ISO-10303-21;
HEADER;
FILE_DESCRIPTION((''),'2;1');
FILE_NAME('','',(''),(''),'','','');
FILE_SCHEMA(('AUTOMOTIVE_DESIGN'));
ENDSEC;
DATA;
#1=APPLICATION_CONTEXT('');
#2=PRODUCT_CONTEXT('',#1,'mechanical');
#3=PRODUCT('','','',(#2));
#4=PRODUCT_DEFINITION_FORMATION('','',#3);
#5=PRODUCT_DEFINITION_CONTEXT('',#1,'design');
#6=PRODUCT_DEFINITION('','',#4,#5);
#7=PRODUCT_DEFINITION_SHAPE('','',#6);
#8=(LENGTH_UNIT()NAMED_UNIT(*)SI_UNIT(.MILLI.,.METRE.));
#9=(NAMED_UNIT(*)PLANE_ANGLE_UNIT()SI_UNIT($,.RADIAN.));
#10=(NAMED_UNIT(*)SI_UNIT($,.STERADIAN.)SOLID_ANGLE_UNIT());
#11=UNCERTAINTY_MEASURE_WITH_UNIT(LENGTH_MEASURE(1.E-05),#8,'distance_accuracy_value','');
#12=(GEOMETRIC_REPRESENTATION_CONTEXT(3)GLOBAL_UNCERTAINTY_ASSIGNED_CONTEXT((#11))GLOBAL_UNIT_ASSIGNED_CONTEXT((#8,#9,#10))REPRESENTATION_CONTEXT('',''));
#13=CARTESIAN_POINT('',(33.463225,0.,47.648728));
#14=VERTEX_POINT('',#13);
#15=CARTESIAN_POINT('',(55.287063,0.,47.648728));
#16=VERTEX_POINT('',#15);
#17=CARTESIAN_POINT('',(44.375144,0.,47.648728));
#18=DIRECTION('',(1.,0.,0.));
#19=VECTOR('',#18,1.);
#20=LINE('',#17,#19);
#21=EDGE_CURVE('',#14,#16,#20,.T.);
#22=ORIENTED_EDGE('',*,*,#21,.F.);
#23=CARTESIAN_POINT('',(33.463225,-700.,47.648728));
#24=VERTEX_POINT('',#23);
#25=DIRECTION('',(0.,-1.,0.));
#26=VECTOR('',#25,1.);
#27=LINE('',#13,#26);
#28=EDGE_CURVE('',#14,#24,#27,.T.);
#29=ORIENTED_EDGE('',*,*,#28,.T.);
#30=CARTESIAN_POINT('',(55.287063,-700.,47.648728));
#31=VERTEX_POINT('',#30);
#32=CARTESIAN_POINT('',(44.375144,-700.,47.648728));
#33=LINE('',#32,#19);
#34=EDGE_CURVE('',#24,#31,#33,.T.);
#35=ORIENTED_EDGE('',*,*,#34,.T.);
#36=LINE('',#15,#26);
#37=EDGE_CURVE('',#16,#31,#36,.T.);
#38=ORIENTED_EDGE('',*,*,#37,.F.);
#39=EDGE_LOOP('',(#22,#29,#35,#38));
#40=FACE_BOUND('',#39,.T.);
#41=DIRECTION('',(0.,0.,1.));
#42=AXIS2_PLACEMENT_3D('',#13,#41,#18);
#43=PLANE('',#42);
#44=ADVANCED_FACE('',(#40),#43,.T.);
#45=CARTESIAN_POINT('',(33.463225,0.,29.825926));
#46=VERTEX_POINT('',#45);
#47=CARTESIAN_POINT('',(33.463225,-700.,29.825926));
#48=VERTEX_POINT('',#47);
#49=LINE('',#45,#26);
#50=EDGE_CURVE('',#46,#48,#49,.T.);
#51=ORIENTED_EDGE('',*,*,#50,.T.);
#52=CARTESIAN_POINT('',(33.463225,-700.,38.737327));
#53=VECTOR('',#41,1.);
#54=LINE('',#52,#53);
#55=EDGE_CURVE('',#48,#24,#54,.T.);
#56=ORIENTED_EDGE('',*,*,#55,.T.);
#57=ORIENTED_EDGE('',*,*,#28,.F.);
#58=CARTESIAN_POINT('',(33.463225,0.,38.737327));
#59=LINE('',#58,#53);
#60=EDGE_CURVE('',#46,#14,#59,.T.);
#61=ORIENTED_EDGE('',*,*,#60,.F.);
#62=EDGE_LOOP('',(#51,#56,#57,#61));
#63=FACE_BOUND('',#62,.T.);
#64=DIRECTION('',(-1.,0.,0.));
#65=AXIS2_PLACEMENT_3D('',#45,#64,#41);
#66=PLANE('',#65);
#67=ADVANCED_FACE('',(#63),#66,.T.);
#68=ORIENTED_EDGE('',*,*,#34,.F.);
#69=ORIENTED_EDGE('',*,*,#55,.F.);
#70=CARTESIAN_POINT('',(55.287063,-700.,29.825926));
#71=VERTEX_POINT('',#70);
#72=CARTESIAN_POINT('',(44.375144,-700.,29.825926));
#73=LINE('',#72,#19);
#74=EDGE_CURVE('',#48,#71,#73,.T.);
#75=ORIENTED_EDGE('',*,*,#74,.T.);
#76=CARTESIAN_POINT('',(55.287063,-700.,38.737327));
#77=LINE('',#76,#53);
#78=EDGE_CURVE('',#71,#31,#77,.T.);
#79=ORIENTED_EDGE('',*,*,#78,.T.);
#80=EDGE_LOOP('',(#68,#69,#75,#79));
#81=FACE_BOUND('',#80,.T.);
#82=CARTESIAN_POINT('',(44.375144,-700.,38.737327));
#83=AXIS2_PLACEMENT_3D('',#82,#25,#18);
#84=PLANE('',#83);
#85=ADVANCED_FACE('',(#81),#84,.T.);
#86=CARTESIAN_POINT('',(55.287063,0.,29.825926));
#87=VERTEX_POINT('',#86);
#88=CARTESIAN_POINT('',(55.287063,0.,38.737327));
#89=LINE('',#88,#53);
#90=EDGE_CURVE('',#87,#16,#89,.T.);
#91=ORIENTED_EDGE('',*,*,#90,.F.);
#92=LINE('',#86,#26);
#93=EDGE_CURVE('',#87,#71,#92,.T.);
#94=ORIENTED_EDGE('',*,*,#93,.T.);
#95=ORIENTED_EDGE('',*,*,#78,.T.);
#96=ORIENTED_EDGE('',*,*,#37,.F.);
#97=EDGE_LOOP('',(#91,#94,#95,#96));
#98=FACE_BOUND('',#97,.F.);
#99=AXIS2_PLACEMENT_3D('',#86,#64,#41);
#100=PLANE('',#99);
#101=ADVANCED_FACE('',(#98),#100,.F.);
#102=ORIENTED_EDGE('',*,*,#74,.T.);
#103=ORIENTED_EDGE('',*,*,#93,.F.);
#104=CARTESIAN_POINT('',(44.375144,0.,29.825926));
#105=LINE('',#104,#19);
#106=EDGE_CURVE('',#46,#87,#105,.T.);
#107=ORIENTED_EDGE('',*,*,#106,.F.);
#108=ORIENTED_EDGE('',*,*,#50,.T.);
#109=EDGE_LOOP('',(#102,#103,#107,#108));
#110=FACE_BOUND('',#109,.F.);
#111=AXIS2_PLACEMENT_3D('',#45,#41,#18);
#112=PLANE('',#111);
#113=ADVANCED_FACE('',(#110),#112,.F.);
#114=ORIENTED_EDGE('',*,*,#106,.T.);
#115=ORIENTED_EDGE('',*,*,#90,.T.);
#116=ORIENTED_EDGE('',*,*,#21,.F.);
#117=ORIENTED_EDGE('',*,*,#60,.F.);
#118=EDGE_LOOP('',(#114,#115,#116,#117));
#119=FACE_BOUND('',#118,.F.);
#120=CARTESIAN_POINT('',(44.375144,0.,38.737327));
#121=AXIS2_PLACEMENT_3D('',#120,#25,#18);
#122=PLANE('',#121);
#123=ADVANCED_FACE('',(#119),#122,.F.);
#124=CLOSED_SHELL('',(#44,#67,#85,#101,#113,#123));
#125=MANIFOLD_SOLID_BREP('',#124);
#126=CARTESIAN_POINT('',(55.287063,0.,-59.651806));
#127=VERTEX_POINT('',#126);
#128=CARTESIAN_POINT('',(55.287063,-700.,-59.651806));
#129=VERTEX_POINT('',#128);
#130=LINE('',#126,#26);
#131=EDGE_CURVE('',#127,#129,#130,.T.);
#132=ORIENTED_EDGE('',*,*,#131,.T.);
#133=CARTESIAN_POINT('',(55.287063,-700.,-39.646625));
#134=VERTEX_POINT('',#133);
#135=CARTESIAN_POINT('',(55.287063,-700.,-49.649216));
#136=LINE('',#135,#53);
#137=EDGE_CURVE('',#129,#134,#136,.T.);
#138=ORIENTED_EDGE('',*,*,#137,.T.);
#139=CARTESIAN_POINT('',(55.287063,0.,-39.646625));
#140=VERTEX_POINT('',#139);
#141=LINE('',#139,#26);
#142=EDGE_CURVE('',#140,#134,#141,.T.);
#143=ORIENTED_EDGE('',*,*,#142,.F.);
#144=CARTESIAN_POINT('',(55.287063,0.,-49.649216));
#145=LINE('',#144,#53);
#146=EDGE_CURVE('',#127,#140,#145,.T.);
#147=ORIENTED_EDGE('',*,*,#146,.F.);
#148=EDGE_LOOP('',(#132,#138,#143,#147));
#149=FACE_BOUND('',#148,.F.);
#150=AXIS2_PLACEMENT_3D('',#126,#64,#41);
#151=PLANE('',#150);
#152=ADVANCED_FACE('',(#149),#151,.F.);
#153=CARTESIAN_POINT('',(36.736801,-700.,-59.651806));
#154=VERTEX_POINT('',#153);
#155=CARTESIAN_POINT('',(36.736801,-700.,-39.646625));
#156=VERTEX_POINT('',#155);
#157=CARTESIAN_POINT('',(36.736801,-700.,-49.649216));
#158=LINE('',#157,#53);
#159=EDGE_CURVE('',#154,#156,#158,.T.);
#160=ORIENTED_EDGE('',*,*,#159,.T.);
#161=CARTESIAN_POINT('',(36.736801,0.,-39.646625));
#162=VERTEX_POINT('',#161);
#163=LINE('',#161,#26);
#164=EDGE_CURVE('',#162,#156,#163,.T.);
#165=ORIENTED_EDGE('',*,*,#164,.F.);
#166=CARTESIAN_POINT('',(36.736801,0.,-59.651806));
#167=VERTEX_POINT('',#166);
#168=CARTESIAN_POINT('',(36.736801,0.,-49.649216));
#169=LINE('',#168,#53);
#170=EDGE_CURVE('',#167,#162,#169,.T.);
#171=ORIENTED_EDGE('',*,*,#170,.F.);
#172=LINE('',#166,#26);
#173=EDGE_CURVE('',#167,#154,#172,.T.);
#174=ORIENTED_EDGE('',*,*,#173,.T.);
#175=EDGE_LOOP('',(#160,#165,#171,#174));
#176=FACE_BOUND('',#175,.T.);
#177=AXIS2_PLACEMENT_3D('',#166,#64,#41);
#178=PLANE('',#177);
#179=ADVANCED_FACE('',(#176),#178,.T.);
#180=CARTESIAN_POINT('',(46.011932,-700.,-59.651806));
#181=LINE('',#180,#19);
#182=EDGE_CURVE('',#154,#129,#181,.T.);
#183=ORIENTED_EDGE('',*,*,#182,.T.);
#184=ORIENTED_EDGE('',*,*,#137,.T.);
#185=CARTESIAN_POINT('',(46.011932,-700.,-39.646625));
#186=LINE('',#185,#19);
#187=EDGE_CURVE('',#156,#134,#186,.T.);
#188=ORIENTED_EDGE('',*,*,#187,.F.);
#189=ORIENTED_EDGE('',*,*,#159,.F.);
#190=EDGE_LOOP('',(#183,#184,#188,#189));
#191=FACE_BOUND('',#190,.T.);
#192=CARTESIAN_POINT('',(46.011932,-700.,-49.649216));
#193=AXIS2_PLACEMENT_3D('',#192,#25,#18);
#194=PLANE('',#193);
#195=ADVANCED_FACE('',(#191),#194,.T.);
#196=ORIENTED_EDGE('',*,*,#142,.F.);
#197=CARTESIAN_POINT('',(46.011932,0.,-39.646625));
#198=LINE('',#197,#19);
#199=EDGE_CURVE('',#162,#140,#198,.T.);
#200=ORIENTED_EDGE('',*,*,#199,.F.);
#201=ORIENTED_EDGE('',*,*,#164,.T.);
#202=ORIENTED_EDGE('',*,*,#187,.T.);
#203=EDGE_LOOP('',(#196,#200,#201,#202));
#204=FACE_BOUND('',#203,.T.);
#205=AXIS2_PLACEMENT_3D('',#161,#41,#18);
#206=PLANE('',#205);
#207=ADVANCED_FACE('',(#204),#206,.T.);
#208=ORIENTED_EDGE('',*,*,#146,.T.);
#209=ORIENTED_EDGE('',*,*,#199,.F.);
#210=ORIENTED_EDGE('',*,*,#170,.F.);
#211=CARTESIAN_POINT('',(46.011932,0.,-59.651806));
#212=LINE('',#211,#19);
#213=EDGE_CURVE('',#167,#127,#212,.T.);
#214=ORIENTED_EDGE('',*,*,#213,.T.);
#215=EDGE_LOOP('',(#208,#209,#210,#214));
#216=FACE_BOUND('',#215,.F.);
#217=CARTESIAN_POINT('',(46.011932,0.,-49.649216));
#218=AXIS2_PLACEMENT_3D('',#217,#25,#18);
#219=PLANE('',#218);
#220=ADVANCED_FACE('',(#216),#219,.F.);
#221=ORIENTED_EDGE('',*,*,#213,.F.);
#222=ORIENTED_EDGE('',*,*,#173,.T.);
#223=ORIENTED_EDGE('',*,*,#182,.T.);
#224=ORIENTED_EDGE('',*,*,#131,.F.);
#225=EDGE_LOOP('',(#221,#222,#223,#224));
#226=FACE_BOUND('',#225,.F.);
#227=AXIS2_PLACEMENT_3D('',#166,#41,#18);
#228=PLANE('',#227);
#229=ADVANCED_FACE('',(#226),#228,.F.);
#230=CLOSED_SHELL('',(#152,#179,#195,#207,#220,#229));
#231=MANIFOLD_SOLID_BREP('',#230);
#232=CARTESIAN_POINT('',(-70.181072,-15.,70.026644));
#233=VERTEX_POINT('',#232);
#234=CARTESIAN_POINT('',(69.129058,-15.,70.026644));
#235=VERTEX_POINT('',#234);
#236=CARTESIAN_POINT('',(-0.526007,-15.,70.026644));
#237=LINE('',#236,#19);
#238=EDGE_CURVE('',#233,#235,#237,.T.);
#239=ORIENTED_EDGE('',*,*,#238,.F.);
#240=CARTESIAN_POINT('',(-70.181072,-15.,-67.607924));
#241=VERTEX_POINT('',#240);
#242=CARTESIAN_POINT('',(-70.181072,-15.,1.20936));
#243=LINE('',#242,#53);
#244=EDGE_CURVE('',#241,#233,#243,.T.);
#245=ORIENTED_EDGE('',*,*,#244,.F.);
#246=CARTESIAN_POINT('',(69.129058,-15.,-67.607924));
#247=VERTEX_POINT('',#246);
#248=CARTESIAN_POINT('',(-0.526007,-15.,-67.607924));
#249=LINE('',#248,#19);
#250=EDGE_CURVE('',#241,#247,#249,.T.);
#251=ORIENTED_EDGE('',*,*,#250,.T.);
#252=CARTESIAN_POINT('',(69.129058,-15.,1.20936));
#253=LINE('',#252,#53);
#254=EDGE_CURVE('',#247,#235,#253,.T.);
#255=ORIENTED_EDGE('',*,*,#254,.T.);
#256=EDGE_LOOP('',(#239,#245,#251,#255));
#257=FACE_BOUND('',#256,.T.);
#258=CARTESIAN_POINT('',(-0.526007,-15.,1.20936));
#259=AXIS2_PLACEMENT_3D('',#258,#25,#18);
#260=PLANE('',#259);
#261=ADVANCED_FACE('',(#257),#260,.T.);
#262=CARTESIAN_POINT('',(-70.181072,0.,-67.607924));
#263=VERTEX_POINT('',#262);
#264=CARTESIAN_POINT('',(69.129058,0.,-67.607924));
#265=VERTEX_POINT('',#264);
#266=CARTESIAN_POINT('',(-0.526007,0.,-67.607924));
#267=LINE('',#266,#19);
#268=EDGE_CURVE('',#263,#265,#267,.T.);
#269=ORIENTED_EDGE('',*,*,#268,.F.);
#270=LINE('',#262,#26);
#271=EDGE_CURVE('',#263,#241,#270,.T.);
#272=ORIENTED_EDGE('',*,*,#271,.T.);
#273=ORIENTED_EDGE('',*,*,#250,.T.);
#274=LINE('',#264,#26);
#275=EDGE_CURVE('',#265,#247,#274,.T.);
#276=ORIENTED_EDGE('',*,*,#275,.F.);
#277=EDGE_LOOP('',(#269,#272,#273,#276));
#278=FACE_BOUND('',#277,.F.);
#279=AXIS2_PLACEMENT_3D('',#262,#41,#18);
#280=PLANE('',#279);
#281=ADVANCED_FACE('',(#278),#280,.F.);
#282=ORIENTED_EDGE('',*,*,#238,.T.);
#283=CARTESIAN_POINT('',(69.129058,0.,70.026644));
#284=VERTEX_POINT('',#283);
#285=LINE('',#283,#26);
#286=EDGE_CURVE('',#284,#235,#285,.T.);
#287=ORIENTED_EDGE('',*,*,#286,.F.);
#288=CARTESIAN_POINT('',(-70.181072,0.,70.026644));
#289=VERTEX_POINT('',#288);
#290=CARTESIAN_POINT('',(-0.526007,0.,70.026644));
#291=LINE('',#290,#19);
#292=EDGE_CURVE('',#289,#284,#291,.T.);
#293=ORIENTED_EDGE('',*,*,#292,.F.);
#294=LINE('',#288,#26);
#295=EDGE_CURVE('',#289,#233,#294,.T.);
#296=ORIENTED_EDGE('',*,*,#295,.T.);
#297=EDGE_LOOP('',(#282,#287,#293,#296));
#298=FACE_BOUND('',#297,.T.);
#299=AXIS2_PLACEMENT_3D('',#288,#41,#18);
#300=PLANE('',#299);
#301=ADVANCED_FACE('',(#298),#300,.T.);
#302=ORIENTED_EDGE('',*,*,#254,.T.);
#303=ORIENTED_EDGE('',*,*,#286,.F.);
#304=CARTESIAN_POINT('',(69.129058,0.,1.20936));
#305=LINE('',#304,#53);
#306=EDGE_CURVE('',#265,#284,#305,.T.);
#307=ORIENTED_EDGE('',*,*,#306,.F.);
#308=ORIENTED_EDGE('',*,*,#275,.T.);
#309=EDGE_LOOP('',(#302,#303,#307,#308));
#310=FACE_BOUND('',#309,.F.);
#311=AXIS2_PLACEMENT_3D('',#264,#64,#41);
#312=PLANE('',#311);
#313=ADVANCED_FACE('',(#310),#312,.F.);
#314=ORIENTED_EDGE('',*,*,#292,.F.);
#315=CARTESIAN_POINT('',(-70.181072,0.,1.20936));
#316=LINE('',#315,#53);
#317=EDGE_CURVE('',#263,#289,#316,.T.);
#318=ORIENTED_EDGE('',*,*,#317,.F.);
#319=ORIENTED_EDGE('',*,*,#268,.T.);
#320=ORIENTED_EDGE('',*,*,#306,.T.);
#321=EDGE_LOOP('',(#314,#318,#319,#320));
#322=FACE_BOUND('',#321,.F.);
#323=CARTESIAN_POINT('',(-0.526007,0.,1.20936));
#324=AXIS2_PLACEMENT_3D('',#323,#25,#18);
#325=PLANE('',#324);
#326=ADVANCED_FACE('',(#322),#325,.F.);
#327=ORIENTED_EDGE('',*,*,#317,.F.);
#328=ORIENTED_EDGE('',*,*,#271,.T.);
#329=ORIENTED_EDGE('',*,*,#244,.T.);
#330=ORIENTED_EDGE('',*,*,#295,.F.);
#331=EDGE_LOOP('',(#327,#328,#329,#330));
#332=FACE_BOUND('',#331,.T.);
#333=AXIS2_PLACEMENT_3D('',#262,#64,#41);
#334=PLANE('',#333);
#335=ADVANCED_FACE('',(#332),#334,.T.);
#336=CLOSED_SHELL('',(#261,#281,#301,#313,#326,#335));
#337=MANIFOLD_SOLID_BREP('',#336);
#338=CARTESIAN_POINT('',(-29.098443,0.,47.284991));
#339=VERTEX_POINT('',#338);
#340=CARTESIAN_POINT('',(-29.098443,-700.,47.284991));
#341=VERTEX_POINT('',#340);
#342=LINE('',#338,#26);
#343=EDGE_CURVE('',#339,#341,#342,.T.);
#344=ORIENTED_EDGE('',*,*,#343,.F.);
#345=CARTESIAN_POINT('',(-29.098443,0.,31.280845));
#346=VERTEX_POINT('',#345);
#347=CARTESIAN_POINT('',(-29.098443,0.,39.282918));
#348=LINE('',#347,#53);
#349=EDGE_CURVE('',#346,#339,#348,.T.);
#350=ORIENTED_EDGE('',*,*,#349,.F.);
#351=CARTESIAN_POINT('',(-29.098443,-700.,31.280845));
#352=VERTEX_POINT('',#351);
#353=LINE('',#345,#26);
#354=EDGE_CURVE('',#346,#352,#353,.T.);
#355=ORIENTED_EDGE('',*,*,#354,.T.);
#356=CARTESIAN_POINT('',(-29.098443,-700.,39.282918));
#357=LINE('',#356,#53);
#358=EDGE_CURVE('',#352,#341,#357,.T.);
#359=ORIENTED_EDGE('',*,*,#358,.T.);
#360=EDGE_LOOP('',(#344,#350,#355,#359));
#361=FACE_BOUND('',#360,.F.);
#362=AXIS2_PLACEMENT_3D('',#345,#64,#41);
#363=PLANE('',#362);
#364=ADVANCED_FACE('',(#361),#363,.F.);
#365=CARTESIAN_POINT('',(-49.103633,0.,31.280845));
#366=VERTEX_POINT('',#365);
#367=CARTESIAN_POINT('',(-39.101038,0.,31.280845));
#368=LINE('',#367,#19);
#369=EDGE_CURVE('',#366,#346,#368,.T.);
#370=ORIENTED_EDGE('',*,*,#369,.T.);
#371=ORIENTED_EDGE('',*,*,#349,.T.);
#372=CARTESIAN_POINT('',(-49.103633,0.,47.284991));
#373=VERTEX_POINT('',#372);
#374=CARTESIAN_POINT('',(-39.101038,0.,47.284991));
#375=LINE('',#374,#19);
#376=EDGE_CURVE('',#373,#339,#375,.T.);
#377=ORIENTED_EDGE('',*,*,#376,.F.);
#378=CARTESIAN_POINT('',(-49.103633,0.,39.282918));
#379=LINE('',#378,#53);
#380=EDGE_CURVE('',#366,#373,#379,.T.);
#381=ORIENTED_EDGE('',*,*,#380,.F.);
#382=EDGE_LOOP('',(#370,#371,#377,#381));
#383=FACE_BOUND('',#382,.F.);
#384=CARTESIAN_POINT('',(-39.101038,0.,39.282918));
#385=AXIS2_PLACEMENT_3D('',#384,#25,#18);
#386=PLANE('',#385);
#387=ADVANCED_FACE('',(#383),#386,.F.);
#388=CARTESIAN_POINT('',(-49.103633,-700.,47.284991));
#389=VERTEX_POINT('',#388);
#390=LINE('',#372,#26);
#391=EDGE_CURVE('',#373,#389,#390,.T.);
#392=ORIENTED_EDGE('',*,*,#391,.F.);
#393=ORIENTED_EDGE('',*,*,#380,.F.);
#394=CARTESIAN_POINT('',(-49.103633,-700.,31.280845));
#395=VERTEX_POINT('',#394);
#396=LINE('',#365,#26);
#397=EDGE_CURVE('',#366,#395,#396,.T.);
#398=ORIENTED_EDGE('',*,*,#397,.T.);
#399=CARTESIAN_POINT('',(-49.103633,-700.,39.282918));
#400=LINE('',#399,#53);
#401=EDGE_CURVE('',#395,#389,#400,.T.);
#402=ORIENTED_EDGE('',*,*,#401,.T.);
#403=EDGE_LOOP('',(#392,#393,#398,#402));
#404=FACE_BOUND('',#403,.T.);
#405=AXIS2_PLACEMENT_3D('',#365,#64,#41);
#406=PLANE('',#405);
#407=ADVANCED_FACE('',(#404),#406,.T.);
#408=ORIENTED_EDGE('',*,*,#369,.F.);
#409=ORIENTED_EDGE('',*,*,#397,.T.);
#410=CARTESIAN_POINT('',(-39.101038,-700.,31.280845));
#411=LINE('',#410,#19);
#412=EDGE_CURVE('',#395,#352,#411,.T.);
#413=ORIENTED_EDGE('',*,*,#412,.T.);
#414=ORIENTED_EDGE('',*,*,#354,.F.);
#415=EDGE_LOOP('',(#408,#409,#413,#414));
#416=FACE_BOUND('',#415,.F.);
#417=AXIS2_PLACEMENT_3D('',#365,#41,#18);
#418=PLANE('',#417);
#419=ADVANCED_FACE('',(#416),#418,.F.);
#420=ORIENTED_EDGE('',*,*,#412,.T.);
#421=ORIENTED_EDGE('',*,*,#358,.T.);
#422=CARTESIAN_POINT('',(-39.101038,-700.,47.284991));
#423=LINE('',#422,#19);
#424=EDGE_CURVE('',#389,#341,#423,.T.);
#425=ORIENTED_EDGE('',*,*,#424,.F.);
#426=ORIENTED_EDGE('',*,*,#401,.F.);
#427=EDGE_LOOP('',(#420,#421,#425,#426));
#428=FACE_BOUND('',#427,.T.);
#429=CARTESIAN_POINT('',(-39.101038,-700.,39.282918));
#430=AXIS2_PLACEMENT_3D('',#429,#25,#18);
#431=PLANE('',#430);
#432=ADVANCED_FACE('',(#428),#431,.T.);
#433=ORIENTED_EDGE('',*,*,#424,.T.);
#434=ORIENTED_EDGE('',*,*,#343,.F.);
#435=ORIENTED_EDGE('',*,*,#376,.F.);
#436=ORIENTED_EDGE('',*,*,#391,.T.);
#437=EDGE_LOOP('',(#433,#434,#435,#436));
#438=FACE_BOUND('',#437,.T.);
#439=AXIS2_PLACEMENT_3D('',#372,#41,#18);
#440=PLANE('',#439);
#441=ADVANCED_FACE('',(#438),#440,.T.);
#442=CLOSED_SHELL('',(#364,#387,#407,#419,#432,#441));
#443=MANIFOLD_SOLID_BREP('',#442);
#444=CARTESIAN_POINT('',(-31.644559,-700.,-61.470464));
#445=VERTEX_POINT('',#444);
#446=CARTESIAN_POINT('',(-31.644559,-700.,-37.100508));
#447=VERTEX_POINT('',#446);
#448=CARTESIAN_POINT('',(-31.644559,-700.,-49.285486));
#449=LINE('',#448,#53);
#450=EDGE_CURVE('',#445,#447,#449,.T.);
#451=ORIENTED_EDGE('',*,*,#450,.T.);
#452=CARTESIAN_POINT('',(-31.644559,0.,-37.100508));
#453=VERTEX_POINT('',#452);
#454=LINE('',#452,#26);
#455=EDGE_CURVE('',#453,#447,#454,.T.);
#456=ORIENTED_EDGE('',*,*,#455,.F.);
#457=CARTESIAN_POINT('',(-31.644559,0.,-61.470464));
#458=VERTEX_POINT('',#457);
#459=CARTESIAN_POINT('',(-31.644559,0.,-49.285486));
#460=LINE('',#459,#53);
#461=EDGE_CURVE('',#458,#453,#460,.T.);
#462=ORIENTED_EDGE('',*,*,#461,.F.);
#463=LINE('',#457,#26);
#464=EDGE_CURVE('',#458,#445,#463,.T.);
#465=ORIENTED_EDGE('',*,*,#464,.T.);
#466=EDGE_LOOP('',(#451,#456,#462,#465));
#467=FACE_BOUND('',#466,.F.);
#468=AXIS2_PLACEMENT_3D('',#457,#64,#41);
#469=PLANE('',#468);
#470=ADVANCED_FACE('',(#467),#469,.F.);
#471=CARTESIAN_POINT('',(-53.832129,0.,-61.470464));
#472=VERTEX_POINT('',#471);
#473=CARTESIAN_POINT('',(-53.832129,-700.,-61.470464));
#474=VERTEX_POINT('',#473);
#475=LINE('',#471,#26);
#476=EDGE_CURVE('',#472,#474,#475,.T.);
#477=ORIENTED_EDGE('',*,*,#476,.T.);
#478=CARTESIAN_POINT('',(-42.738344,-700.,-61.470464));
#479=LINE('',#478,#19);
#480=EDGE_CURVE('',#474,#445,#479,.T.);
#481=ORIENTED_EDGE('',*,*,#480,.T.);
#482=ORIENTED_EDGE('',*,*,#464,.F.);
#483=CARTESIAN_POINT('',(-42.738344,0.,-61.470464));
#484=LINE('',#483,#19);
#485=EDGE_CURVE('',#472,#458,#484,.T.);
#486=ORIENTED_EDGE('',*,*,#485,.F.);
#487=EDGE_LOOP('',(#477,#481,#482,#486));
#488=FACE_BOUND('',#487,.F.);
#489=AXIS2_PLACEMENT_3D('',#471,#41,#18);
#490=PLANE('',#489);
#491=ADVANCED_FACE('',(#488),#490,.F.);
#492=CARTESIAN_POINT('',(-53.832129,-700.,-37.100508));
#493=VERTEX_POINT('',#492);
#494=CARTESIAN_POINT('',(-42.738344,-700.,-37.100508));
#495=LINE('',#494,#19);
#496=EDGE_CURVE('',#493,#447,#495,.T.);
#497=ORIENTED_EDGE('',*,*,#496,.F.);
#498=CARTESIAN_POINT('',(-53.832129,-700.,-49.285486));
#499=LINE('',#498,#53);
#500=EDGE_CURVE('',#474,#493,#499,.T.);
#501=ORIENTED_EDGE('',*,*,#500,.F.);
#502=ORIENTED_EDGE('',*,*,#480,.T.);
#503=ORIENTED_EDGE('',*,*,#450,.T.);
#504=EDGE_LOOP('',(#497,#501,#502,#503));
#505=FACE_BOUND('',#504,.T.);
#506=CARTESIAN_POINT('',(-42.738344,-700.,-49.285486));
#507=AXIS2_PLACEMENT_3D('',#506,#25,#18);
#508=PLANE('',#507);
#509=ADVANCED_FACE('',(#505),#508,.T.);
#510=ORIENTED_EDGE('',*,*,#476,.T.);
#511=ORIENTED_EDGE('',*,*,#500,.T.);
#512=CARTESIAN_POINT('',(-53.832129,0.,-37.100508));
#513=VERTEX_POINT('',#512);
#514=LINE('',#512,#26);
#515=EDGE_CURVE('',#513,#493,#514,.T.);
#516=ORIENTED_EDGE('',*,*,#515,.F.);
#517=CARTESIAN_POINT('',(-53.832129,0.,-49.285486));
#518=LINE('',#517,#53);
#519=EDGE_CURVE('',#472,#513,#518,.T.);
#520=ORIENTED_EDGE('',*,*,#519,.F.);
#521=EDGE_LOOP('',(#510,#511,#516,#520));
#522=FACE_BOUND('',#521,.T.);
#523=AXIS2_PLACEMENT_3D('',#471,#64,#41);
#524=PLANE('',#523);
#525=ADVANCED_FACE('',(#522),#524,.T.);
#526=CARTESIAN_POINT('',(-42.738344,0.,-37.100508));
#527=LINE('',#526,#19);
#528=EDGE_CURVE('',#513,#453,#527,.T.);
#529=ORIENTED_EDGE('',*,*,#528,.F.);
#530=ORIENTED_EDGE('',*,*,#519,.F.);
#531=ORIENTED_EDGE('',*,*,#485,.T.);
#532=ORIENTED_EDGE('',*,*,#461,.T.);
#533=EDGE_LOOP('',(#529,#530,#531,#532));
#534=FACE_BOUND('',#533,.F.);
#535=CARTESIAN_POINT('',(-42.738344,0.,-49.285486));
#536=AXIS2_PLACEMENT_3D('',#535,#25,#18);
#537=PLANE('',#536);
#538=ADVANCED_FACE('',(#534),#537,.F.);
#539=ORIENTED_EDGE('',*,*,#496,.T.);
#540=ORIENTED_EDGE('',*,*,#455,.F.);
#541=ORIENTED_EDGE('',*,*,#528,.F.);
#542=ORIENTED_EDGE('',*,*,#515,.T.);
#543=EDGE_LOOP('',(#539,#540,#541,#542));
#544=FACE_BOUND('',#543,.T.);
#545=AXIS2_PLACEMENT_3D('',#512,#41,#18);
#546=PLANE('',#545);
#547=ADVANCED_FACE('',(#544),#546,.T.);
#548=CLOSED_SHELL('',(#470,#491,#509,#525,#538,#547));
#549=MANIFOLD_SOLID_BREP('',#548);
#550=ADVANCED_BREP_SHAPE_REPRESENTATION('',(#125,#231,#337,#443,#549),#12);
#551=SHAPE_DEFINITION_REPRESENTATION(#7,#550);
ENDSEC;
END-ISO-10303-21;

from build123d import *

# Parameters (mm, degrees)
F0_W     = 22.187569
F0_H     = 24.369955
F0_W_2   = 18.550262
F0_H_2   = 20.005181
F0_W_3   = 21.823838
F0_H_3   = 17.822802
F0_W_4   = 20.005189
F0_H_4   = 16.004146
F1_DEPTH = 700
F2_W     = 139.310129
F2_H     = 137.634568
F3_DEPTH = 15


with BuildPart() as f1:
    # F0 (on Front) → F1 (new body)
    with BuildSketch(Plane.XZ):
        with Locations((-42.738344, -49.285486)):
            Rectangle(F0_W, F0_H)
        with Locations((46.011932, -49.649216)):
            Rectangle(F0_W_2, F0_H_2)
        with Locations((44.375144, 38.737327)):
            Rectangle(F0_W_3, F0_H_3)
        with Locations((-39.101038, 39.282918)):
            Rectangle(F0_W_4, F0_H_4)
    extrude(amount=F1_DEPTH)


with BuildPart() as f3:
    # F2 (on Front) → F3 (new body)
    with BuildSketch(Plane.XZ):
        with Locations((-0.526007, 1.20936)):
            Rectangle(F2_W, F2_H)
    extrude(amount=F3_DEPTH)


solid = Compound([f1.part, f3.part])
